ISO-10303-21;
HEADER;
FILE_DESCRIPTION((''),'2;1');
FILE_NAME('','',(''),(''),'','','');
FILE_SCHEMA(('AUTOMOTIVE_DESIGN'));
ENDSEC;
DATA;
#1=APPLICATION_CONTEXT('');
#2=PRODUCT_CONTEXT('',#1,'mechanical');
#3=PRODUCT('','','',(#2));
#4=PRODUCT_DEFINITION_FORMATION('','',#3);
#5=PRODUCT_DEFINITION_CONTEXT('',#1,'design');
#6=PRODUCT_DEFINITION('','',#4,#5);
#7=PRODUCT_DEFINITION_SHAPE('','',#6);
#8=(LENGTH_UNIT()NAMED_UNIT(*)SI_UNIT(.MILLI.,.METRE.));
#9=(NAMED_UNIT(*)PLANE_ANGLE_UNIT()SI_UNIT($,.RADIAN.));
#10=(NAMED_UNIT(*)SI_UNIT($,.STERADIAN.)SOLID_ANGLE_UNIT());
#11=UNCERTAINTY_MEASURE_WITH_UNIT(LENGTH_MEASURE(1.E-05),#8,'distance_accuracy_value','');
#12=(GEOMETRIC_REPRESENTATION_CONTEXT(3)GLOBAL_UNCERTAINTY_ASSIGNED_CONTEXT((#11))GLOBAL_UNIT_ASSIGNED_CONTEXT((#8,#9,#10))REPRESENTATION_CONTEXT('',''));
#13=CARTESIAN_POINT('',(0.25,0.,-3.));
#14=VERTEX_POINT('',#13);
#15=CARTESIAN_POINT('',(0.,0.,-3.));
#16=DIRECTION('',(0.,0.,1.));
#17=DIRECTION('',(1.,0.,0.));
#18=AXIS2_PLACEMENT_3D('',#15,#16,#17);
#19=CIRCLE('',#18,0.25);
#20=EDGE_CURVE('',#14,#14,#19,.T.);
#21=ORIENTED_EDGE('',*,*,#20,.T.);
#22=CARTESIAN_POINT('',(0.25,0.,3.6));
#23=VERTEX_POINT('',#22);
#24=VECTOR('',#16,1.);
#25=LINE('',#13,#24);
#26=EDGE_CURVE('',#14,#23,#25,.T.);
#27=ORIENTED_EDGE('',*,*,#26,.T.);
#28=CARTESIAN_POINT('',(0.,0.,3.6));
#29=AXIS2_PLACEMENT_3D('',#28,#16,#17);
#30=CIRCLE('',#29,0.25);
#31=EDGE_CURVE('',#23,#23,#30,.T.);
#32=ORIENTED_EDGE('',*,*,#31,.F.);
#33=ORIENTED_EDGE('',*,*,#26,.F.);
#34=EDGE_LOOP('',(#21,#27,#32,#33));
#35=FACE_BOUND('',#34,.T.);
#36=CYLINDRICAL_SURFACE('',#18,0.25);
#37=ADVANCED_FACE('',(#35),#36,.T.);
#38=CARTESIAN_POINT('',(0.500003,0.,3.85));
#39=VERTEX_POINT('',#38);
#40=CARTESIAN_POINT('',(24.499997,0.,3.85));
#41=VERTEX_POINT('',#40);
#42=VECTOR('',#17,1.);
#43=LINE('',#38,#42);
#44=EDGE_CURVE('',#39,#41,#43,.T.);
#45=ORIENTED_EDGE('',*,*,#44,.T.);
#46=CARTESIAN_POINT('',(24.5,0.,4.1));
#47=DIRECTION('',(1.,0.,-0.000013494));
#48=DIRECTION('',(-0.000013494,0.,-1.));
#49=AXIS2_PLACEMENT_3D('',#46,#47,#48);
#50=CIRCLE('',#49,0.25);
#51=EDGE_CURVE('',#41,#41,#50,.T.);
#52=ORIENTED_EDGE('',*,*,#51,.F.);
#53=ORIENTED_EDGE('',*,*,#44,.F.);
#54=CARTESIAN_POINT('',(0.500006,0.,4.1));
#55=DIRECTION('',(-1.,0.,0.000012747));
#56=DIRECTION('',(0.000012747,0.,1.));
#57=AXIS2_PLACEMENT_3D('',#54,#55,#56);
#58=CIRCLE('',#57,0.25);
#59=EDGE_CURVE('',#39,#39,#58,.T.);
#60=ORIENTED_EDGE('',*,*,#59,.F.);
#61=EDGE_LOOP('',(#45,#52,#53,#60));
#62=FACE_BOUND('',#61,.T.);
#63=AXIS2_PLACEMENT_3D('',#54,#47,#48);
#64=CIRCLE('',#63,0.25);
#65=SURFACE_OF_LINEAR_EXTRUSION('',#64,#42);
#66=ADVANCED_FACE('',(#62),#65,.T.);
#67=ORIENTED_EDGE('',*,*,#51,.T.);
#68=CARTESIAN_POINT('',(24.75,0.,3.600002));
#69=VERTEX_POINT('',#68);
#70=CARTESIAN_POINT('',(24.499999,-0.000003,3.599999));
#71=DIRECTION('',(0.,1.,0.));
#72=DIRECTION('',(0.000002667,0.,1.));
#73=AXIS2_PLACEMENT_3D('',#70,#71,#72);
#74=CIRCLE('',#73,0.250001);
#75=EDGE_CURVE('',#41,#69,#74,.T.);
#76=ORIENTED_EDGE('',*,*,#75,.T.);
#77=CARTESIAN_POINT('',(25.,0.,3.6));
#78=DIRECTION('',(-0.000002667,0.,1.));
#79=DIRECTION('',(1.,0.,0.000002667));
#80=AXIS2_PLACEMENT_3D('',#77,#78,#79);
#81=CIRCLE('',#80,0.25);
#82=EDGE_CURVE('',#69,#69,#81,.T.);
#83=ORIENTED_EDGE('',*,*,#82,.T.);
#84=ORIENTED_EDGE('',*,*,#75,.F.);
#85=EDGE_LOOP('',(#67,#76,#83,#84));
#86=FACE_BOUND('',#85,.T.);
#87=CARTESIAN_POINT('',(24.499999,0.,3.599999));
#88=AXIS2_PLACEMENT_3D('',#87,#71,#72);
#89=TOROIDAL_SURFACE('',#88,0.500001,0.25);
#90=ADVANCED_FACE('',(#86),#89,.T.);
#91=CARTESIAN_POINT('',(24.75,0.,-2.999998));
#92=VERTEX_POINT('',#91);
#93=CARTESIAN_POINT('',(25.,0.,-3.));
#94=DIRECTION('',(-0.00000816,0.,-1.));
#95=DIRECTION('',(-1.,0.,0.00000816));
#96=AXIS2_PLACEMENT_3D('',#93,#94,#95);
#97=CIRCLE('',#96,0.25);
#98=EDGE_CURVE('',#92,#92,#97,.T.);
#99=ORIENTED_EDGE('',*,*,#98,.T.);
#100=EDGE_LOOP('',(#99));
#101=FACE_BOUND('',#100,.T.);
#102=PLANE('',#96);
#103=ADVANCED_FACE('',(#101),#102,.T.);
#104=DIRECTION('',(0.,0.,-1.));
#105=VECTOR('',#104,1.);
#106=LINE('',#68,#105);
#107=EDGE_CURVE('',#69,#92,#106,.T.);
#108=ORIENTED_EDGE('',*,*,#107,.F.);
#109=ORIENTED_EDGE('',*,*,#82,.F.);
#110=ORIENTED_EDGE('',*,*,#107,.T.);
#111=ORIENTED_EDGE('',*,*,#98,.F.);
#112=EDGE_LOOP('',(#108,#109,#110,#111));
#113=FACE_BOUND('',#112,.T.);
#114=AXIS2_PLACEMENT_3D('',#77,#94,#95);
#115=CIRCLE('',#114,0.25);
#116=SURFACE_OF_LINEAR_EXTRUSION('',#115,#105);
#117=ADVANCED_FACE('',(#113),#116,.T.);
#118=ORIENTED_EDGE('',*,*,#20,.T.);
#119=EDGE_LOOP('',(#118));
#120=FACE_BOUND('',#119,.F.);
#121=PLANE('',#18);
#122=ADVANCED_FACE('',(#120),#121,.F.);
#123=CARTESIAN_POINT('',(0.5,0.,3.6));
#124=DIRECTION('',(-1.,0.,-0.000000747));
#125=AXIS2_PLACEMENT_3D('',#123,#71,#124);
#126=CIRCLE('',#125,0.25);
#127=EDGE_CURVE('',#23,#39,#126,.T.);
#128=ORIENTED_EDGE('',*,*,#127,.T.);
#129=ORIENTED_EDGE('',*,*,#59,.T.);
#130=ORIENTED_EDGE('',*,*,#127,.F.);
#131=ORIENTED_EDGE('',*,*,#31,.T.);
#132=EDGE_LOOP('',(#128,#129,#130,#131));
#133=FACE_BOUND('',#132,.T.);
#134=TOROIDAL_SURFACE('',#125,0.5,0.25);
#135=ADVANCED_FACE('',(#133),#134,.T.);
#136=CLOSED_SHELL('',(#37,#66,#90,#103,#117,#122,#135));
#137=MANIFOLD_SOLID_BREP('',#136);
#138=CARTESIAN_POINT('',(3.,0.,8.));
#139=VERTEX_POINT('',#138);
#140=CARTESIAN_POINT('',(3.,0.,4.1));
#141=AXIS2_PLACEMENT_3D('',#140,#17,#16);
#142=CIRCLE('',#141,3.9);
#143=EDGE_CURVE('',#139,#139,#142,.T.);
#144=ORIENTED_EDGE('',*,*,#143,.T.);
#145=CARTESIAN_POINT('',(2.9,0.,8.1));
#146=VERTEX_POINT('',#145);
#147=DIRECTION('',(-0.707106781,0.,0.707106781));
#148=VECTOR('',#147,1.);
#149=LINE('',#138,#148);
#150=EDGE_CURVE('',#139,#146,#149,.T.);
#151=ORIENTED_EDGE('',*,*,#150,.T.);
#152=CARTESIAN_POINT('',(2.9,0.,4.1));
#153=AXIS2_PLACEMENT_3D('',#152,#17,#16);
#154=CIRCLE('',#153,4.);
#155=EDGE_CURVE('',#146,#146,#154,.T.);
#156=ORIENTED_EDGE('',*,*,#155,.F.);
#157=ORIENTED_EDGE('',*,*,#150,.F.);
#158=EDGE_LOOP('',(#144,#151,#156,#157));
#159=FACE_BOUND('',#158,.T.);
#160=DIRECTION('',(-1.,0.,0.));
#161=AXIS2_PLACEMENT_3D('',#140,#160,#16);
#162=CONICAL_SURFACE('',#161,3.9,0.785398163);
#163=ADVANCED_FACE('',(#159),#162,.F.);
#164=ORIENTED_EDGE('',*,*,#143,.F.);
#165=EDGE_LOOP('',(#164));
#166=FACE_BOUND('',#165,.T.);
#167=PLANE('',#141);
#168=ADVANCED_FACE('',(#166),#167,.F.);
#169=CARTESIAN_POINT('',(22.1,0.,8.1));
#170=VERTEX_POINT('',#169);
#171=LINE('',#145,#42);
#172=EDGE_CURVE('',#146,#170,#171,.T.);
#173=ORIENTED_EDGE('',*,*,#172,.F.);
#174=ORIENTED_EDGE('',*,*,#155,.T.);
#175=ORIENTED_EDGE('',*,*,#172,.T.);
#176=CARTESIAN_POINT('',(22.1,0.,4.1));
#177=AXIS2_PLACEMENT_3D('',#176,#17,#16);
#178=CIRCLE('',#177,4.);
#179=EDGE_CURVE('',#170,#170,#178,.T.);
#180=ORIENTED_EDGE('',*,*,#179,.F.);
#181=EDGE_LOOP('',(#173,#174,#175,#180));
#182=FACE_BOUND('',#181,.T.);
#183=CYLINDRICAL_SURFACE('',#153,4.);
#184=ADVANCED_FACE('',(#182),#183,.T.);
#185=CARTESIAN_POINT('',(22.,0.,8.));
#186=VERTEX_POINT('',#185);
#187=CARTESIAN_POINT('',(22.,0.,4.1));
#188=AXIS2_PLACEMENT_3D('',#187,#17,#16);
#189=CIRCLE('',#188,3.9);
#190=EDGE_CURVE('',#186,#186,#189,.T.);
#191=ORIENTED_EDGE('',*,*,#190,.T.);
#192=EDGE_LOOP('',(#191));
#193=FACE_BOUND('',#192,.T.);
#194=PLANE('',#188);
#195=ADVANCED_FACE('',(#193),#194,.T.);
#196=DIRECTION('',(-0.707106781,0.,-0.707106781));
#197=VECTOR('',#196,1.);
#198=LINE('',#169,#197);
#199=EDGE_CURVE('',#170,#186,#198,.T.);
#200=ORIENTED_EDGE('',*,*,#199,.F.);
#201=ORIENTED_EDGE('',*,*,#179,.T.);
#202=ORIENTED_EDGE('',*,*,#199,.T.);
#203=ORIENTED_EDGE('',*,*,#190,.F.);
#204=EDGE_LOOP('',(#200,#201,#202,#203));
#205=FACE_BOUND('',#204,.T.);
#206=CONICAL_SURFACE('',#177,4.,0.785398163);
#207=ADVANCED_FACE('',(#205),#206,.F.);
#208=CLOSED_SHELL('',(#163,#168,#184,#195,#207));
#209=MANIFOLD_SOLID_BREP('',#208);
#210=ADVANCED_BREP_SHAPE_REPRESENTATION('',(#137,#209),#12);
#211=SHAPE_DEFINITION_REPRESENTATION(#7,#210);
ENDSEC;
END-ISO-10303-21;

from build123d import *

# Parameters (mm, degrees)
SKETCH_R = 0.25


with BuildPart() as sweep_body:
    # Sweep: sweep along a path in Sketch001
    with BuildLine(Plane.XZ) as sweep_path:
        Line((0, -3), (0, 3.6))
        ThreePointArc((0, 3.6), (0.146449, 3.953556), (0.500006, 4.1))
        Line((0.500006, 4.1), (24.5, 4.1))
        ThreePointArc((24.5, 4.1), (24.853553, 3.953553), (25, 3.6))
        Line((25, 3.6), (25, -3))
    # Sketch → Sweep (sweep)
    with BuildSketch(Plane.XY.offset(-2)):
        Circle(SKETCH_R)
    sweep(path=sweep_path.line)


with BuildPart() as revolution:
    # Sketch002 → Revolution (revolve)
    with BuildSketch(Plane.XZ):
        Polygon((2.9, 8.1), (22.1, 8.1), (22, 8), (22, 4.1), (3, 4.1), (3, 8), align=None)
    revolve(axis=Axis((7.611803, 0, 4.1), (1, 0, 0)))


solid = Compound([sweep_body.part, revolution.part])
